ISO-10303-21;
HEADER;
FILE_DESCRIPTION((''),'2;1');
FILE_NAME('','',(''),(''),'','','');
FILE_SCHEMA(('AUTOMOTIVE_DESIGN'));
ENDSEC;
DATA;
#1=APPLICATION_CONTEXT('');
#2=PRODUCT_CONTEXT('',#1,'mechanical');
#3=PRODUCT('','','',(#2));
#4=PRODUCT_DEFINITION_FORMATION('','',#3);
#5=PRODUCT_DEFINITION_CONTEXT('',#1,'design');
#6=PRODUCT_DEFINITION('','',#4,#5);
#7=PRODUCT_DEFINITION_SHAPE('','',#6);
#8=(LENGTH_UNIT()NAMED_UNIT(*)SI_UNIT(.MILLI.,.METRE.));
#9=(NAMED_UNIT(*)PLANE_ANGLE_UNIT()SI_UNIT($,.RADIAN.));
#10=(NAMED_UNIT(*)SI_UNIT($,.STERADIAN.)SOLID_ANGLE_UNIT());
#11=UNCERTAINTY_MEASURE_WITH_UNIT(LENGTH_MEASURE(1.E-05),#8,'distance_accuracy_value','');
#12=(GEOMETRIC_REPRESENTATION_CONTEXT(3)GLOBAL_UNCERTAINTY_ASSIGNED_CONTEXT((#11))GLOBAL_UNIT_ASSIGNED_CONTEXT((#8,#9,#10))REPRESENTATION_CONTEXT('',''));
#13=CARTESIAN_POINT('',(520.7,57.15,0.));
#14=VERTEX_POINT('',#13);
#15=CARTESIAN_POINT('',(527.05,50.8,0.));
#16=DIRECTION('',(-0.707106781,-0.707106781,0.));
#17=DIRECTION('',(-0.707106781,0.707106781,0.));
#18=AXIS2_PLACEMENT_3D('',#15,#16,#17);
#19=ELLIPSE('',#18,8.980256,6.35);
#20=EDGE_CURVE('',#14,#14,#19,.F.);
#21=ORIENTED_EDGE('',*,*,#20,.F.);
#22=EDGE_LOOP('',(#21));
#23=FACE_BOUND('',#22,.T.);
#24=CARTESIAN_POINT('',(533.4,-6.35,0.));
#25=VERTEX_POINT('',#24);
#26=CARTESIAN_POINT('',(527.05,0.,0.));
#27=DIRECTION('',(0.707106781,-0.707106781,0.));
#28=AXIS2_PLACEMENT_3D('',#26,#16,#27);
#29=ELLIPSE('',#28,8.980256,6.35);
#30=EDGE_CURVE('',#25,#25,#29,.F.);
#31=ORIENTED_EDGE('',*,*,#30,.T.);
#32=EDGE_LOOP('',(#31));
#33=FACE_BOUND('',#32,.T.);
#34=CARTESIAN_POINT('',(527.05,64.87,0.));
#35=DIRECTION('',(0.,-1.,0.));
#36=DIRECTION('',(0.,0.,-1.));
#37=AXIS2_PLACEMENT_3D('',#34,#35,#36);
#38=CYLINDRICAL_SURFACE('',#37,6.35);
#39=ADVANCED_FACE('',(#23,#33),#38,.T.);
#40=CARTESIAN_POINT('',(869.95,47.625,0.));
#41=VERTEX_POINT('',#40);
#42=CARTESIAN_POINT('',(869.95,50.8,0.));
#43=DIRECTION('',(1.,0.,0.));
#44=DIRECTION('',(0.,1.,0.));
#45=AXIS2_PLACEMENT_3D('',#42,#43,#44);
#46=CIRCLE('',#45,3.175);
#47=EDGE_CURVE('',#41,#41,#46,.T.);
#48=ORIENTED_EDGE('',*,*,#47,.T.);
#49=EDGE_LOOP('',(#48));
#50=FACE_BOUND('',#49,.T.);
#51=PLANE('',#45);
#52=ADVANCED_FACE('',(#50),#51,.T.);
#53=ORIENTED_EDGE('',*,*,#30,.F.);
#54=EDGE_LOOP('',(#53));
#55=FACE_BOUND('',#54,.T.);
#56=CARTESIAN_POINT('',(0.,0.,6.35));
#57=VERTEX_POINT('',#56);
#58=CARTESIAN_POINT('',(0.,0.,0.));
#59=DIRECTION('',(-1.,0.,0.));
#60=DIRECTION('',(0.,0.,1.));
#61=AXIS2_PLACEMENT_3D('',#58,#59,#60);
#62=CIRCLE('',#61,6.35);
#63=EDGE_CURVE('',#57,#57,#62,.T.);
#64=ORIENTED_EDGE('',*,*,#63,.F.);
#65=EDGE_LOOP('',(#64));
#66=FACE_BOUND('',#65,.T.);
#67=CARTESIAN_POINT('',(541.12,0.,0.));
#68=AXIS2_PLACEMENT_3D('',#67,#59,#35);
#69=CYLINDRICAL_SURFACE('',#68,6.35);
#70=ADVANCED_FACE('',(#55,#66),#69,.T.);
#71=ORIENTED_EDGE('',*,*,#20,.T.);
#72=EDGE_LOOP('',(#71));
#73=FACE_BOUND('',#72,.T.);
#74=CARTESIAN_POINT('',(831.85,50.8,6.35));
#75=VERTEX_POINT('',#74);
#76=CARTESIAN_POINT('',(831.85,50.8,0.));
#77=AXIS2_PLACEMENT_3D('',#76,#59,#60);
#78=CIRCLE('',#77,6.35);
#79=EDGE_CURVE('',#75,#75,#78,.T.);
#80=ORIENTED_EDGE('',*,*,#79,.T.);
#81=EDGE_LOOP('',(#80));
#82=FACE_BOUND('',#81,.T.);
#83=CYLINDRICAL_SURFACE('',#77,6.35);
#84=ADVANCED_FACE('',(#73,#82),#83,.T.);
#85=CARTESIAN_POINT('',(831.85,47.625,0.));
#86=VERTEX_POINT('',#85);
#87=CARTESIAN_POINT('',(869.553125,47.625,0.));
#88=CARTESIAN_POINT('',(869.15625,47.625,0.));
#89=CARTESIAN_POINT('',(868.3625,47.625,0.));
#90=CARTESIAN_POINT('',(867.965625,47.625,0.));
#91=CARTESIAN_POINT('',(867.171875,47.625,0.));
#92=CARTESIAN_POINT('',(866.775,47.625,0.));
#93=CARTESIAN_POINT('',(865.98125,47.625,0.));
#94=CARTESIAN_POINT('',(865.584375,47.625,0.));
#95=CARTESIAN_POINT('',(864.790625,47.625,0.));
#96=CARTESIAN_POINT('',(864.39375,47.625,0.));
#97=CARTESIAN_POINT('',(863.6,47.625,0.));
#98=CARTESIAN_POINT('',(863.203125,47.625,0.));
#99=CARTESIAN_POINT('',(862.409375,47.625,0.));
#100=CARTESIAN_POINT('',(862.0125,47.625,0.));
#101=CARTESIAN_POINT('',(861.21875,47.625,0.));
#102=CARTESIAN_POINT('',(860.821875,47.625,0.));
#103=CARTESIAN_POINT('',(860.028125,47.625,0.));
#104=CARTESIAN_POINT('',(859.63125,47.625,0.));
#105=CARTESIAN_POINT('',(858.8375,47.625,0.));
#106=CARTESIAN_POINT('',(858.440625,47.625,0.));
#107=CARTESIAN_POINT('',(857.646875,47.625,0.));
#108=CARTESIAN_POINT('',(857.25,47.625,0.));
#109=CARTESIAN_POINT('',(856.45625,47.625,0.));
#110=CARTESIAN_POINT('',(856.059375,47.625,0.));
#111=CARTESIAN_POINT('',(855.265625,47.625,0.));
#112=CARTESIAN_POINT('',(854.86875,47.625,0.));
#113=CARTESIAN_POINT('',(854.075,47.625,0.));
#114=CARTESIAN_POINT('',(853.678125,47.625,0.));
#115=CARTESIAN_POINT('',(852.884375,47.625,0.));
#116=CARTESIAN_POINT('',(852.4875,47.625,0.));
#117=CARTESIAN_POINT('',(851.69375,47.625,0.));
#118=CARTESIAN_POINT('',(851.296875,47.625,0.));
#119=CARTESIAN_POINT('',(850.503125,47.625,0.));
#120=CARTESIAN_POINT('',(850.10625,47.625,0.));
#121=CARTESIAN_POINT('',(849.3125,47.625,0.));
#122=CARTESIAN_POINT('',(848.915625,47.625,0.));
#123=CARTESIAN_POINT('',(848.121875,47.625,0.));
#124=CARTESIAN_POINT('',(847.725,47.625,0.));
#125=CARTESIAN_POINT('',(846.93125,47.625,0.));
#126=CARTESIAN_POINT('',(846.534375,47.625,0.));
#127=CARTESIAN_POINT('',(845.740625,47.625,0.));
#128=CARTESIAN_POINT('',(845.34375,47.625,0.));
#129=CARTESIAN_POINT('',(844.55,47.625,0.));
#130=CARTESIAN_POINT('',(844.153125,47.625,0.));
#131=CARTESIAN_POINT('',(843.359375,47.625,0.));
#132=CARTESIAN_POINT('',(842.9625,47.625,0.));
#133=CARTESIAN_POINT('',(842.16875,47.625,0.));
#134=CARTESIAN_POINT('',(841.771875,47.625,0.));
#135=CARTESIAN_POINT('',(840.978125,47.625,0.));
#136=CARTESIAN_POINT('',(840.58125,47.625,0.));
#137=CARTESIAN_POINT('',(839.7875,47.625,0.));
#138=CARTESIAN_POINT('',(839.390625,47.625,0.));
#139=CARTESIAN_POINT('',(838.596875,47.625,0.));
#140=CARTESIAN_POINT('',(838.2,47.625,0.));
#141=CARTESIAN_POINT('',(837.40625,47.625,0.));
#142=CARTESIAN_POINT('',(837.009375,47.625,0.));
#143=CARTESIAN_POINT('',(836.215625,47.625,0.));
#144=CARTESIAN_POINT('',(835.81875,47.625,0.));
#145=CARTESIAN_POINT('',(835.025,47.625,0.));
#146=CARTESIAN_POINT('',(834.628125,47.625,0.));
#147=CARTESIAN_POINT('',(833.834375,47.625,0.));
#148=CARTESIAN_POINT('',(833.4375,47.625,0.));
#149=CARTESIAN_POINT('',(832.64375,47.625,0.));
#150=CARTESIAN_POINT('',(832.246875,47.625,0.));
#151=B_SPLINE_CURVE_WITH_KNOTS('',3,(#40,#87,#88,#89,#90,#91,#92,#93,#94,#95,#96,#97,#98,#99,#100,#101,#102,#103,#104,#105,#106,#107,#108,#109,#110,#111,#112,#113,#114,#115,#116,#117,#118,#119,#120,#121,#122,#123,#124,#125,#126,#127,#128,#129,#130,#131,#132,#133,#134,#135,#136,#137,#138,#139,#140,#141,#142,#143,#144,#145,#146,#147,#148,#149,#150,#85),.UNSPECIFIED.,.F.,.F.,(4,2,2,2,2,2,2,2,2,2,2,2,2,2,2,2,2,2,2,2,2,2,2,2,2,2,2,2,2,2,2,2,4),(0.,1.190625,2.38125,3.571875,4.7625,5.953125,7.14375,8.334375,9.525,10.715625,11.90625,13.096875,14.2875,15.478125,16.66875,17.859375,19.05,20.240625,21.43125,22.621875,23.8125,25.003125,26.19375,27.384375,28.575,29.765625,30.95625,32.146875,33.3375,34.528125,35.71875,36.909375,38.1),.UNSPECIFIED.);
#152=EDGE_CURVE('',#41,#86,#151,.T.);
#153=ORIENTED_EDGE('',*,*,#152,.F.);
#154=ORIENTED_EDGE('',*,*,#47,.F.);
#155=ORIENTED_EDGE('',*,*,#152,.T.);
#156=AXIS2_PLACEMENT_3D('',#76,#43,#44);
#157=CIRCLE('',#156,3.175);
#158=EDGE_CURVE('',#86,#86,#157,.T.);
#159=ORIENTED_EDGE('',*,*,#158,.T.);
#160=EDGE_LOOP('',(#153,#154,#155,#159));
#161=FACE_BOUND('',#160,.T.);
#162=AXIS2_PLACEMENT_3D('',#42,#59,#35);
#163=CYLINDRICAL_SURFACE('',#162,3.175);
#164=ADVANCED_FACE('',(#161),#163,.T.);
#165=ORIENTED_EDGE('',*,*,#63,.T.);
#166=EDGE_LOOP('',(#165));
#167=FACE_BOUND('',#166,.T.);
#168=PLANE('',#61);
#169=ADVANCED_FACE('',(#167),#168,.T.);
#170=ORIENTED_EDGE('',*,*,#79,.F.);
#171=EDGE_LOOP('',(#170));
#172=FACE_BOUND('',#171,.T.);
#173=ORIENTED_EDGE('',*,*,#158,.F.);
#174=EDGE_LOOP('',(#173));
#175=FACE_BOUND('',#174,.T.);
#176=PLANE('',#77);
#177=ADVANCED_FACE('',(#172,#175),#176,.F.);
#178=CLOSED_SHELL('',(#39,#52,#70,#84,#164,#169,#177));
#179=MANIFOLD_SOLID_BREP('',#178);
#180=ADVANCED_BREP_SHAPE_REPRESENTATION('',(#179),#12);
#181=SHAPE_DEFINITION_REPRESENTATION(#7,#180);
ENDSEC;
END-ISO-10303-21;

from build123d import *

# Parameters (mm, degrees)
SWEEP1_PROFILE_R    = 6.35
SKETCH20_R          = 3.175
BOSS_EXTRUDE3_DEPTH = 38.1


with BuildPart() as part:
    # Sweep1: sweep along a path in Sketch1
    with BuildLine(Plane.XY) as sweep1_path:
        Line((0, 0), (527.05, 0))
        Line((527.05, 0), (527.05, 50.8))
        Line((527.05, 50.8), (831.85, 50.8))
    # Sweep1 profile (on start of the path) → Sweep1 (sweep)
    with BuildSketch(Plane.YZ):
        Circle(SWEEP1_PROFILE_R)
    sweep(path=sweep1_path.line, transition=Transition.RIGHT)

    # Sketch20 → Boss-Extrude3 (add)
    with BuildSketch(Plane(origin=(831.85, 0, 0), x_dir=(0, 0, -1), z_dir=(1, 0, 0))):
        with Locations(Location((0, 50.8, 0), (0, 0, 270))):
            Circle(SKETCH20_R)
    extrude(amount=BOSS_EXTRUDE3_DEPTH)


solid = part.part
